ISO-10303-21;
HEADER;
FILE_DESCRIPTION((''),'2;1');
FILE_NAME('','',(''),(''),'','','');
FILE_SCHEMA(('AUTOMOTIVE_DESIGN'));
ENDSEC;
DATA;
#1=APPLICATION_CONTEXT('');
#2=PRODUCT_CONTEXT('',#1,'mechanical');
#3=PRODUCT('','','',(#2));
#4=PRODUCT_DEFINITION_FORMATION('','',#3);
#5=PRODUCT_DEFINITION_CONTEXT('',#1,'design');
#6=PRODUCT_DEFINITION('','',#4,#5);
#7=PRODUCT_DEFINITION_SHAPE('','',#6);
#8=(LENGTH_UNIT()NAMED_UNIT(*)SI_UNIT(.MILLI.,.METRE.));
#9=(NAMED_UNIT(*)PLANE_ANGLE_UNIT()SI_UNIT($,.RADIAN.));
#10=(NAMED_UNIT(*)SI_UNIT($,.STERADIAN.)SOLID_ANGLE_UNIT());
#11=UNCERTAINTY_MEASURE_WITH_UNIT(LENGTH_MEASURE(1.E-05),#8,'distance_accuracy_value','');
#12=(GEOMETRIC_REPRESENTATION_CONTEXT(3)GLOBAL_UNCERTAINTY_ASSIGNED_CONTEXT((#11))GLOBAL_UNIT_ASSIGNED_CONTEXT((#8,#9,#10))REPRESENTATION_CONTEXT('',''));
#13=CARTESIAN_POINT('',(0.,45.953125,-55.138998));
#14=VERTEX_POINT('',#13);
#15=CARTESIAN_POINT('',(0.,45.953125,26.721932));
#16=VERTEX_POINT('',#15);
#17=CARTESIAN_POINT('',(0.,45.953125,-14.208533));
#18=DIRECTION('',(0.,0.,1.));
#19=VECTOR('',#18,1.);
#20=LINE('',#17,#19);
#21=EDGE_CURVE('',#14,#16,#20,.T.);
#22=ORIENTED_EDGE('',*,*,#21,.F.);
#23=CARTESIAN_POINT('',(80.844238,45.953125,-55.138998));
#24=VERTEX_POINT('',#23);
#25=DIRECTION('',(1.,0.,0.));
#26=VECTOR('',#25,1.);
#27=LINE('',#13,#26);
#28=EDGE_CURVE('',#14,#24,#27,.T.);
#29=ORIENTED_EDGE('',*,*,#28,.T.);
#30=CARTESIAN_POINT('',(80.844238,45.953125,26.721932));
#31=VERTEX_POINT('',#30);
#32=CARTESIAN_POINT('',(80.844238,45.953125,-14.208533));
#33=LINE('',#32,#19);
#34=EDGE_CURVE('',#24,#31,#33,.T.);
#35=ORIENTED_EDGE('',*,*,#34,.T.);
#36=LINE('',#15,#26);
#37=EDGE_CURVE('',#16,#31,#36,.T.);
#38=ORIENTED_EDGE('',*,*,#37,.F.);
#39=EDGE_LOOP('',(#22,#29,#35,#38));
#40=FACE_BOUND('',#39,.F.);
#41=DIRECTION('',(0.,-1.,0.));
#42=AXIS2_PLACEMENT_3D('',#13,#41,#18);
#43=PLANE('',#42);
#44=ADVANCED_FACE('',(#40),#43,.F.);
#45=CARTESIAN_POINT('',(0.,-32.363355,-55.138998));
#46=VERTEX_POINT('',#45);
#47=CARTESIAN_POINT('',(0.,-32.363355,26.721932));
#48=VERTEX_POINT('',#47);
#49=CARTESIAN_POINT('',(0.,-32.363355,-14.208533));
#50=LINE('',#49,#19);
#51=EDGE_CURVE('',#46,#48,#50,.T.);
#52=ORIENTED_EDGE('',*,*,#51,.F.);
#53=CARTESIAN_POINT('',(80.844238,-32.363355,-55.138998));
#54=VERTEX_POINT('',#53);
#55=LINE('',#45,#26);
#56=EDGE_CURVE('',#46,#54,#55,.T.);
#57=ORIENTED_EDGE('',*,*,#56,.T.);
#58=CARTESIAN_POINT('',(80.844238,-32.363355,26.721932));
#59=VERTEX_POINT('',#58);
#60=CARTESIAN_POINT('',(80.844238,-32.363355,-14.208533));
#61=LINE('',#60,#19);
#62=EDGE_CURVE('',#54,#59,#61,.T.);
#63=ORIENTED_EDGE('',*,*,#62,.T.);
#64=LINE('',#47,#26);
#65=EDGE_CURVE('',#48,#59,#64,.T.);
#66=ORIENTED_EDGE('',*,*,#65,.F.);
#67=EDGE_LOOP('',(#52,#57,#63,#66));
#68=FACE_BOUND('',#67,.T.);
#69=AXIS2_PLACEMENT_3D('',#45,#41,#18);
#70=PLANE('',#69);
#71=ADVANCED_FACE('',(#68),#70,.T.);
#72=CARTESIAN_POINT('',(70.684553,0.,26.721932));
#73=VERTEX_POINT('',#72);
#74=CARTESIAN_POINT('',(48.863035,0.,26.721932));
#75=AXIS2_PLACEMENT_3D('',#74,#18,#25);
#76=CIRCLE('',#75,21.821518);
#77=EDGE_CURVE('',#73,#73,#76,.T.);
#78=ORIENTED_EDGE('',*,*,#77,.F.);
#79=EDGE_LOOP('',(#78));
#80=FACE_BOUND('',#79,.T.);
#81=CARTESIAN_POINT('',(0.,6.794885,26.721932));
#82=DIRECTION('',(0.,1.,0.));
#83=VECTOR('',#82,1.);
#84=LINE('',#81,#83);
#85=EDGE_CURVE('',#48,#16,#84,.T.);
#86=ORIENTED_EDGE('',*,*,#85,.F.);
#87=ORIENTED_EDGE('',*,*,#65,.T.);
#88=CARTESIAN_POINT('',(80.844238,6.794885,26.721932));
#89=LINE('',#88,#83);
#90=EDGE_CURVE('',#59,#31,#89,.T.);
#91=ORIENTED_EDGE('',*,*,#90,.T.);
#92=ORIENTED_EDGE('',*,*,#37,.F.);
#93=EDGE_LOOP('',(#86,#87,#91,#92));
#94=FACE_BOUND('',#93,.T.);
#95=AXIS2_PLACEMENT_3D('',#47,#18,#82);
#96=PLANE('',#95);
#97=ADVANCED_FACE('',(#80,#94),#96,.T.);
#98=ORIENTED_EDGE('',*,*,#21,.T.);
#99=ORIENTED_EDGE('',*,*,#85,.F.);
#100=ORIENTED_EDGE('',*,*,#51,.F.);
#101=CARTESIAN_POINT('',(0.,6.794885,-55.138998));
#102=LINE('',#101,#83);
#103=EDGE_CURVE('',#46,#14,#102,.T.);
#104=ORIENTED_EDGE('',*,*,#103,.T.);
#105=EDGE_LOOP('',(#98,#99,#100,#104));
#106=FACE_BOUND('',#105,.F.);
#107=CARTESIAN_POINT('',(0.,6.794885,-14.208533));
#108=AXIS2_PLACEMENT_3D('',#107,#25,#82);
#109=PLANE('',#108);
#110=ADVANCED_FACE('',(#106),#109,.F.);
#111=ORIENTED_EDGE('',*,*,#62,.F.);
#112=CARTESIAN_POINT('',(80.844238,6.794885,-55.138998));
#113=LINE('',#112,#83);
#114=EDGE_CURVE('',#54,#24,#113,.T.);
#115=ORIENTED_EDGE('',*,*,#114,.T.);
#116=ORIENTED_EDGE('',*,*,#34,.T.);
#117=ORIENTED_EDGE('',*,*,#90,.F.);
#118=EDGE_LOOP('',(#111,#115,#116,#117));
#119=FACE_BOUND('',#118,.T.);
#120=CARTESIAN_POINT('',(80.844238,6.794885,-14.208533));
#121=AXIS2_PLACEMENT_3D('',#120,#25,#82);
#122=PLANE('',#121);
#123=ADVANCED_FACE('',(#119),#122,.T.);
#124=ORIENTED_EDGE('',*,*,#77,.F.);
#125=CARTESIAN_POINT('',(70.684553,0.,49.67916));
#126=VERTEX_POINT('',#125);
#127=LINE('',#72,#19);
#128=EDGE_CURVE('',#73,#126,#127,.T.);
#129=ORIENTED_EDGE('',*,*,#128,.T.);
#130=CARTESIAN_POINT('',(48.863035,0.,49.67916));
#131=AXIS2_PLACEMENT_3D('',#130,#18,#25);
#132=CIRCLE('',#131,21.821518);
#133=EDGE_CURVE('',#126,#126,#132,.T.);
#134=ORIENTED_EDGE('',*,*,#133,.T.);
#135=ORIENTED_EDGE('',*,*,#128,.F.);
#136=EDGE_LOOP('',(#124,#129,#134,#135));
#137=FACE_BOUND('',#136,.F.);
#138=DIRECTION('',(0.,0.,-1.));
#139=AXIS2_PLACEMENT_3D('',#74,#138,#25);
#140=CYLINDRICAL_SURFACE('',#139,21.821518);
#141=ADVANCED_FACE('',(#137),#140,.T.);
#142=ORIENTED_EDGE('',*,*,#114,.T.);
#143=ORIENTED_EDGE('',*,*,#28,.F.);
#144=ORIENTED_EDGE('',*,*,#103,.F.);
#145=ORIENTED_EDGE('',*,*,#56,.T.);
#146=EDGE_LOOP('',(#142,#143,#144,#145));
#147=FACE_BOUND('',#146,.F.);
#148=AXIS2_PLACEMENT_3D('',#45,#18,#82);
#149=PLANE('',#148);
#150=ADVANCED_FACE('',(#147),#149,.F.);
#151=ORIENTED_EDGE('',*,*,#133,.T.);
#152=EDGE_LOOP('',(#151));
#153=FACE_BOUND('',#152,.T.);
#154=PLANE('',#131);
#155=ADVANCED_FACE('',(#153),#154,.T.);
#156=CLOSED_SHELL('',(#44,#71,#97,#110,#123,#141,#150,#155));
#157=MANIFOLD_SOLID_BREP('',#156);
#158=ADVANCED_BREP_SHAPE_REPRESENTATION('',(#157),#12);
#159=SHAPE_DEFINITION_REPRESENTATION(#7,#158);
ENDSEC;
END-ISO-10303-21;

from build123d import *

# Parameters (mm, degrees)
F0_W     = 78.31648
F0_H     = 81.86093
F1_DEPTH = 80.844238
F2_R     = 21.821518
F3_DEPTH = 22.957228


with BuildPart() as f1:
    # F0 (on Right) → F1 (new body)
    with BuildSketch(Plane.YZ):
        with Locations((6.794885, -14.208533)):
            Rectangle(F0_W, F0_H)
    extrude(amount=F1_DEPTH)

    # F2 (on face) → F3 (join)
    with BuildSketch(Plane.XY.offset(26.721932)):
        with Locations((48.863035, 0)):
            Circle(F2_R)
    extrude(amount=F3_DEPTH)


solid = f1.part
